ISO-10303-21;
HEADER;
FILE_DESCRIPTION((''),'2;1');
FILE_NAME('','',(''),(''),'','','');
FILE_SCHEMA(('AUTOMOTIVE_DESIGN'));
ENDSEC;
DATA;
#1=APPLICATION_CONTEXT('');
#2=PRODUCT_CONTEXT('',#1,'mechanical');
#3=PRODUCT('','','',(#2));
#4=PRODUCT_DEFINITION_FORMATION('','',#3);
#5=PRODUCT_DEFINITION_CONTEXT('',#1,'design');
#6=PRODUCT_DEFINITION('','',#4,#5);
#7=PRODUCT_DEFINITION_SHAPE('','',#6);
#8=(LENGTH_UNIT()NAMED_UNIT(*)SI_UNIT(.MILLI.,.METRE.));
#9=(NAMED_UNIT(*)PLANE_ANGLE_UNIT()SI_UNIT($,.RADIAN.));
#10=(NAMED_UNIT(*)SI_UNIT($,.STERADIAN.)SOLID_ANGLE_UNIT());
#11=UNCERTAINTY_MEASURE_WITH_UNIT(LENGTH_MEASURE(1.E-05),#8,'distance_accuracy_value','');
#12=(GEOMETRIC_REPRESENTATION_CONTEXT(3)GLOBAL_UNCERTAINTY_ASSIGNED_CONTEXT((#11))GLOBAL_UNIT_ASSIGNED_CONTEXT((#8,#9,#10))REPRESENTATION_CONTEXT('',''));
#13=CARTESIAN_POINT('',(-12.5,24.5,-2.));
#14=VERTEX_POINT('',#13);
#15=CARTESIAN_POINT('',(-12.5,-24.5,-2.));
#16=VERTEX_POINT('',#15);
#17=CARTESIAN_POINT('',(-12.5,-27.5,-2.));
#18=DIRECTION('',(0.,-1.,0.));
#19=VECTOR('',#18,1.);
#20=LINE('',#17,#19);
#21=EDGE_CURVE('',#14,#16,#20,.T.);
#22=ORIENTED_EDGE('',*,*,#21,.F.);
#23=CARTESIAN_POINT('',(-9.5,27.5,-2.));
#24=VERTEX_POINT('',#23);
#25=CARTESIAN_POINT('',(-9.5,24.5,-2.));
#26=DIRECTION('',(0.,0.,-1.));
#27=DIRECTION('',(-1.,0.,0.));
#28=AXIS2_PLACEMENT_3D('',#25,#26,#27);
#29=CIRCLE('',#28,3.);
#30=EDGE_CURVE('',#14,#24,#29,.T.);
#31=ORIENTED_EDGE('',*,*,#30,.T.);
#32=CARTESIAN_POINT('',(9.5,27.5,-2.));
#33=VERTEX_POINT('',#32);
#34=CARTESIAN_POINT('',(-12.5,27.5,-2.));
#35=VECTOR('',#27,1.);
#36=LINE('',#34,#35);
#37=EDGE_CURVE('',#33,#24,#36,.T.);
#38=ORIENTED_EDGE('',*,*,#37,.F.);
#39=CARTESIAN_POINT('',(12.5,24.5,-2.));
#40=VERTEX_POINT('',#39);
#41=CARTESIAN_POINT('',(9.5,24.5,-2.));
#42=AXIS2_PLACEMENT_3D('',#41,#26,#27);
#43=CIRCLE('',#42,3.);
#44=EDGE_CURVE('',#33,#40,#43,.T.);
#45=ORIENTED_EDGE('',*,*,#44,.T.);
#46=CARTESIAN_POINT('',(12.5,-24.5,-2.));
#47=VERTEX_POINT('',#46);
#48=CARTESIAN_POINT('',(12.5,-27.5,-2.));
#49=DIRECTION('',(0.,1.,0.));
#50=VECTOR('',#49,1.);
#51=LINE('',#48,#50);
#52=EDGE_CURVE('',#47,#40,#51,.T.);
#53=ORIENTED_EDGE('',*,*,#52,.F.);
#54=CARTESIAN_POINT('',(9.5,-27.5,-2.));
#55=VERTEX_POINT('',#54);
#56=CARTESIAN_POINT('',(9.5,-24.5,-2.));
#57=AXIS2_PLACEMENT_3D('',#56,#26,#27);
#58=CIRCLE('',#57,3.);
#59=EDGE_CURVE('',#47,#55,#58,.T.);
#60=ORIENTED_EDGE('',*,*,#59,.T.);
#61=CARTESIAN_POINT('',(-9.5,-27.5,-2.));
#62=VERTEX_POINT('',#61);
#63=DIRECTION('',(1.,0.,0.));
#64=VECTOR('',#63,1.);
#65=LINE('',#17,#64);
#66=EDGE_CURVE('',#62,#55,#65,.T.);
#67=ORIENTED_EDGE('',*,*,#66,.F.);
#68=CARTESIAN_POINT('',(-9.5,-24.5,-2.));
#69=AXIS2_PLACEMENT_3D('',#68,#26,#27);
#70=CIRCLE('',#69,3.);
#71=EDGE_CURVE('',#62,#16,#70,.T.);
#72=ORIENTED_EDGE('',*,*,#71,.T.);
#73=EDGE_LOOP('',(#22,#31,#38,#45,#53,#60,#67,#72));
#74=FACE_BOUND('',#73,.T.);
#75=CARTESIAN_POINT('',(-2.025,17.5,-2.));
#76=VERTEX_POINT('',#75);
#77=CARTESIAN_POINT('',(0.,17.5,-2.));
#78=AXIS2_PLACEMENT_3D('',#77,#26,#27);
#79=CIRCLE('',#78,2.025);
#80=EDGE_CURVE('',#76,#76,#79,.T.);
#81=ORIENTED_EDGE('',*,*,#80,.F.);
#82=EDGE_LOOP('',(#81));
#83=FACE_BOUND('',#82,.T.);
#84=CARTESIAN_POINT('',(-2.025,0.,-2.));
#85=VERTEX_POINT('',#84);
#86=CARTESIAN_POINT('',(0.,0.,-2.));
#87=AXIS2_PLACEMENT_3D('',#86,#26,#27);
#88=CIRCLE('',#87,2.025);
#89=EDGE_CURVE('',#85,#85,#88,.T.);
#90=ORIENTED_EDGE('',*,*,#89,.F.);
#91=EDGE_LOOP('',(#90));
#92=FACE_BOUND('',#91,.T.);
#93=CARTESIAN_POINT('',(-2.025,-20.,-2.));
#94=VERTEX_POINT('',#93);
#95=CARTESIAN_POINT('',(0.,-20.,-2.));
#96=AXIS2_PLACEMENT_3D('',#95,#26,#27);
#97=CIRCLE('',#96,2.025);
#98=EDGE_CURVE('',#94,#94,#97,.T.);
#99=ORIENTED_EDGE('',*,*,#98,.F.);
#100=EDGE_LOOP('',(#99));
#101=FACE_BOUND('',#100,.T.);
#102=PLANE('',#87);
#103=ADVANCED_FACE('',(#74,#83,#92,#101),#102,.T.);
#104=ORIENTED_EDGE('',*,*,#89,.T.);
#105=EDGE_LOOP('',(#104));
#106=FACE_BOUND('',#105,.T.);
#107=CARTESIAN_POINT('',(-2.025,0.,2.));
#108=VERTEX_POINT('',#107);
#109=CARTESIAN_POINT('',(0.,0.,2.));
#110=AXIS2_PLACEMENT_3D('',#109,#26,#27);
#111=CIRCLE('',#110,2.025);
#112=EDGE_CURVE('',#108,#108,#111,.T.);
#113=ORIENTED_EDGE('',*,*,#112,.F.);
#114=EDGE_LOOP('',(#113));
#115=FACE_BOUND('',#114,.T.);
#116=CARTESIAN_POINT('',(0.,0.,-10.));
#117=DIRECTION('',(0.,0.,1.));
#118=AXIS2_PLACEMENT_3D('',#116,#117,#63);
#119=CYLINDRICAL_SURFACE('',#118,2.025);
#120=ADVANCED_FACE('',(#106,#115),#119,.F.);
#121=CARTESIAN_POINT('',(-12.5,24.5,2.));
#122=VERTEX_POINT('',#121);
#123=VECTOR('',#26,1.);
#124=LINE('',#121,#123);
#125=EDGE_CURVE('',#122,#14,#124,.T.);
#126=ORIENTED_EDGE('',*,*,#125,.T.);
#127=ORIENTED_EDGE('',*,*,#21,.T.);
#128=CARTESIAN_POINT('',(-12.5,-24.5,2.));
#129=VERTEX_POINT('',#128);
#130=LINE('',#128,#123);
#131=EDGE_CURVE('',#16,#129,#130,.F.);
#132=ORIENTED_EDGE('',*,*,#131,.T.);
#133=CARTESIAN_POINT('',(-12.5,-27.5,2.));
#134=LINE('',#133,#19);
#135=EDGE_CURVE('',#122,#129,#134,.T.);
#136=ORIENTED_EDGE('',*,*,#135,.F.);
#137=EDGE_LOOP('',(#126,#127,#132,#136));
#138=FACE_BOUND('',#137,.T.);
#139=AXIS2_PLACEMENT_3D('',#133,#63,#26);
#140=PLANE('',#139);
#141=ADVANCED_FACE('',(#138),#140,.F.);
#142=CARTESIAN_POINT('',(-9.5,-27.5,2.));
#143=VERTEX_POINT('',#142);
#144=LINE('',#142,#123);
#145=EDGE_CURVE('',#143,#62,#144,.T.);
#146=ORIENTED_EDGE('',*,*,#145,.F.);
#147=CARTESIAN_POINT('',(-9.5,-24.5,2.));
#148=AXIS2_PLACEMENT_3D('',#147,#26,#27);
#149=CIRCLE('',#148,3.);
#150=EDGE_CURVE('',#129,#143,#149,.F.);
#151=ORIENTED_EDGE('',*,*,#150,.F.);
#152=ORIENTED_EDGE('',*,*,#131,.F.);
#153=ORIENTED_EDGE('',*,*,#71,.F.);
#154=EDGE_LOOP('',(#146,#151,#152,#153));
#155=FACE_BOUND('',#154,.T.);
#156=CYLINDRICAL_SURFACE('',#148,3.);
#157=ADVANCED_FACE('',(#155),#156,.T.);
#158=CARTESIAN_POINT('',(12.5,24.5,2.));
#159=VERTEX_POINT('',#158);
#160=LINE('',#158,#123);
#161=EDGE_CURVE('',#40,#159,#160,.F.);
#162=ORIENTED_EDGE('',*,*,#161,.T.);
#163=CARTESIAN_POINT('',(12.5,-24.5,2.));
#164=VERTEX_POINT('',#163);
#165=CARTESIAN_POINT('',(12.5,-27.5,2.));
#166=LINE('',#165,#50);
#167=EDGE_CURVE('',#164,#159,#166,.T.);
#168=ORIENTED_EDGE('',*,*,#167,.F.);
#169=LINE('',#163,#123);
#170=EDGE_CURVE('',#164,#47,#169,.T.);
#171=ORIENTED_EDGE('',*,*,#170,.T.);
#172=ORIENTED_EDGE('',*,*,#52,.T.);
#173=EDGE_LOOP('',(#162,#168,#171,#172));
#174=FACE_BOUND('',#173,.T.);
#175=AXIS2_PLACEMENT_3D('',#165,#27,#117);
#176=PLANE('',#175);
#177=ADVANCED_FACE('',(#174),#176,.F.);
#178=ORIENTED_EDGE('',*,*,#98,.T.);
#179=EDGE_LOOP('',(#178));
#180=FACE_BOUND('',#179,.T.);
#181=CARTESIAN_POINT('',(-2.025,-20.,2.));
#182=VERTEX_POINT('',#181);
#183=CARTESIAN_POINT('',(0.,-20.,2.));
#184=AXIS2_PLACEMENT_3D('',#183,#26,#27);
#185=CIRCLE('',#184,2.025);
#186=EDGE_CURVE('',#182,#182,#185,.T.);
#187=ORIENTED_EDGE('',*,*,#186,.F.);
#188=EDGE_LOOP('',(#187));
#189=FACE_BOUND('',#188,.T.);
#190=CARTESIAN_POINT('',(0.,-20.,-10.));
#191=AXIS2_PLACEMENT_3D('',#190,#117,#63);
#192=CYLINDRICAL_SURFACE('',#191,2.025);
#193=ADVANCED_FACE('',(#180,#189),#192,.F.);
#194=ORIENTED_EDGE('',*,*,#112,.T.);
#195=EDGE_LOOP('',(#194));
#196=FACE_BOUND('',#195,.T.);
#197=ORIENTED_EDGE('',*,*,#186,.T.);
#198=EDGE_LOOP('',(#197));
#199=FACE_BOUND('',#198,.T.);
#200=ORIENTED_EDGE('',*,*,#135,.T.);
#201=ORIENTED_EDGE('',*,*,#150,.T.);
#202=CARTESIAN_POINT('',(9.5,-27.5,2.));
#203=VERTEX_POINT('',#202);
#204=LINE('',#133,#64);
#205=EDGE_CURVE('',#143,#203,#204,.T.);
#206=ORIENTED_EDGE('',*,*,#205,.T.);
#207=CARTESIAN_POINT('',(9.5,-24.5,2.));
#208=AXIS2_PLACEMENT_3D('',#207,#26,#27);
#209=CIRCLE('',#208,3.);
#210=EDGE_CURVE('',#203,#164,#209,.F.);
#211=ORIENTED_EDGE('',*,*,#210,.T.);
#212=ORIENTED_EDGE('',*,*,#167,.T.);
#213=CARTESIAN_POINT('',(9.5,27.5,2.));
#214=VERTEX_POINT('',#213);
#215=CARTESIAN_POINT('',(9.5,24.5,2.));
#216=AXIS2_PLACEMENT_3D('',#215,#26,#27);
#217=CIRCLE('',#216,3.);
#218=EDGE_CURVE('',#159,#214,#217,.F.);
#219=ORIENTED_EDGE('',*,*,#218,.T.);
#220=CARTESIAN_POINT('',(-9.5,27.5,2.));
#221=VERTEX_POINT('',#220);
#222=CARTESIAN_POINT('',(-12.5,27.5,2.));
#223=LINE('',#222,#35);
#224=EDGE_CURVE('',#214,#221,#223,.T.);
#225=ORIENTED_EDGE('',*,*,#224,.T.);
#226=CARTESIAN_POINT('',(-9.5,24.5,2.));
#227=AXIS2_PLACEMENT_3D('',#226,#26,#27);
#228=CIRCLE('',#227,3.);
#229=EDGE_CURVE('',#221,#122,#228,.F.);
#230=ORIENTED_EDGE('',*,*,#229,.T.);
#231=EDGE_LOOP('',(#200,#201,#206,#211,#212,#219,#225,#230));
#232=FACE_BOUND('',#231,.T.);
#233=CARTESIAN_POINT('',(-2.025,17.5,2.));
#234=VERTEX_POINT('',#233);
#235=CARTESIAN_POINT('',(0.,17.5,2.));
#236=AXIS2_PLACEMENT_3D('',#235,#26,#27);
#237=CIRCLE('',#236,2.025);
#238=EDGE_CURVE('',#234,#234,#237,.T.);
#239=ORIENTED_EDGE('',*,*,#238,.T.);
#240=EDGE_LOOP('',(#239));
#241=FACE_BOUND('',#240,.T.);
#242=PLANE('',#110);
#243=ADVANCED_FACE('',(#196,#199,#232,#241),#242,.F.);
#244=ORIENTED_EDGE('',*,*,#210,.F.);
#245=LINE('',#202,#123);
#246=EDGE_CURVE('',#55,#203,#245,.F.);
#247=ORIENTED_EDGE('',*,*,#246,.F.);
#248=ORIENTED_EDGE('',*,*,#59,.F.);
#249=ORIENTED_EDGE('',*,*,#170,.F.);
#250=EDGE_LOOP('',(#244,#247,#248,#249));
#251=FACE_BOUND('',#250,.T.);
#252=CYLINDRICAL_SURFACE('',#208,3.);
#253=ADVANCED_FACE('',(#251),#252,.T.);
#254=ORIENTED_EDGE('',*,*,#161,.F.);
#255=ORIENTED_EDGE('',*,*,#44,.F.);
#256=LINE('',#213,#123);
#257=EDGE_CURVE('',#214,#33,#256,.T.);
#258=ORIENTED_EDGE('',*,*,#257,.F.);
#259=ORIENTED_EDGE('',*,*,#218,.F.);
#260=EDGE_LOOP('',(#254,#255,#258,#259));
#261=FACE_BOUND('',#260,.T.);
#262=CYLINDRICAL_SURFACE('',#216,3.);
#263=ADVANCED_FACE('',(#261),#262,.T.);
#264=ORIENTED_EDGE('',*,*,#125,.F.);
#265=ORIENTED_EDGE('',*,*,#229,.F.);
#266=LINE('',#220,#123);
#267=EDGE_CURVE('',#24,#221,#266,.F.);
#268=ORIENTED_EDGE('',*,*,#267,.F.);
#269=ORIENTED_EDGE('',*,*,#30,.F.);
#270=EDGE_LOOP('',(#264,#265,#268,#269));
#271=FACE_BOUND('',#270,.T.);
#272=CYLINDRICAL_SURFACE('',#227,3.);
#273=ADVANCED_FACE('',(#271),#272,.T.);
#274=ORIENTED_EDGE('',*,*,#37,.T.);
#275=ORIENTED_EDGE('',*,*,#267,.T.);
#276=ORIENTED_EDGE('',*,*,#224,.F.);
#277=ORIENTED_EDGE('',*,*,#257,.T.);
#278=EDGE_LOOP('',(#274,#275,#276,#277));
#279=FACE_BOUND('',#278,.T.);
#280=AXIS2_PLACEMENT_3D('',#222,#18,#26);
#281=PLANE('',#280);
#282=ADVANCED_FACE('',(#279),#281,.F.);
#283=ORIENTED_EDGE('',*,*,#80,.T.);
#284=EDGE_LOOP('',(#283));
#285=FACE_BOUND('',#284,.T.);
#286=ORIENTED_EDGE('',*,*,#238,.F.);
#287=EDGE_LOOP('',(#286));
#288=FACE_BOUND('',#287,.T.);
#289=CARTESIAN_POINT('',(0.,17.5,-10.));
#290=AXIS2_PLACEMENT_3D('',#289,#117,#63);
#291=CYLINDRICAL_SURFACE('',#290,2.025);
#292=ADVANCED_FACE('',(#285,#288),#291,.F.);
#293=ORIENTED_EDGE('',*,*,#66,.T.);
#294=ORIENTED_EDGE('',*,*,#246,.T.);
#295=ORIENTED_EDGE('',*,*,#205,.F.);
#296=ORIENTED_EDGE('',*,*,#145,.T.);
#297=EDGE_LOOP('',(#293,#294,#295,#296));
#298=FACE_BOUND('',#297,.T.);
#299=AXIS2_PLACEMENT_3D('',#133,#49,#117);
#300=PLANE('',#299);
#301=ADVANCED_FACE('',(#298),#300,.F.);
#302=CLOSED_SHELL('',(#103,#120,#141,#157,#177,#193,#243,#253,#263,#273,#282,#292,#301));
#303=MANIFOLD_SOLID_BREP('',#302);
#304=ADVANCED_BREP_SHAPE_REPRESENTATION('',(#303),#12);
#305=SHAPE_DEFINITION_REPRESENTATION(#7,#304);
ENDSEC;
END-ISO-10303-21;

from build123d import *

# Parameters (mm, degrees)
SKETCH_1_W          = 25
SKETCH_1_H          = 55
EXTRUDE_1_DEPTH     = 2
SKETCH_2_R          = 2.025
CUT_EXTRUDE_1_DEPTH = 12
FILLET_1_R          = 3


with BuildPart() as part:
    # 草图1 → 凸台-拉伸1 (new body, symmetric)
    with BuildSketch(Plane.XY):
        Rectangle(SKETCH_1_W, SKETCH_1_H)
    extrude(amount=EXTRUDE_1_DEPTH, both=True)

    # 草图2 → 切除-拉伸1 (cut, symmetric)
    with BuildSketch(Plane.XY.offset(2)):
        with Locations((0, 17.5)):
            Circle(SKETCH_2_R)
        Circle(SKETCH_2_R)
        with Locations((0, -20)):
            Circle(SKETCH_2_R)
    extrude(amount=CUT_EXTRUDE_1_DEPTH, both=True, mode=Mode.SUBTRACT)

    # 圆角1
    fillet_1_edges = [part.edges().sort_by_distance(p)[0] for p in [
        (12.5, -27.5, 0),
        (-12.5, -27.5, 0),
        (-12.5, 27.5, 0),
        (12.5, 27.5, 0),
    ]]
    fillet(fillet_1_edges, radius=FILLET_1_R)


solid = part.part
